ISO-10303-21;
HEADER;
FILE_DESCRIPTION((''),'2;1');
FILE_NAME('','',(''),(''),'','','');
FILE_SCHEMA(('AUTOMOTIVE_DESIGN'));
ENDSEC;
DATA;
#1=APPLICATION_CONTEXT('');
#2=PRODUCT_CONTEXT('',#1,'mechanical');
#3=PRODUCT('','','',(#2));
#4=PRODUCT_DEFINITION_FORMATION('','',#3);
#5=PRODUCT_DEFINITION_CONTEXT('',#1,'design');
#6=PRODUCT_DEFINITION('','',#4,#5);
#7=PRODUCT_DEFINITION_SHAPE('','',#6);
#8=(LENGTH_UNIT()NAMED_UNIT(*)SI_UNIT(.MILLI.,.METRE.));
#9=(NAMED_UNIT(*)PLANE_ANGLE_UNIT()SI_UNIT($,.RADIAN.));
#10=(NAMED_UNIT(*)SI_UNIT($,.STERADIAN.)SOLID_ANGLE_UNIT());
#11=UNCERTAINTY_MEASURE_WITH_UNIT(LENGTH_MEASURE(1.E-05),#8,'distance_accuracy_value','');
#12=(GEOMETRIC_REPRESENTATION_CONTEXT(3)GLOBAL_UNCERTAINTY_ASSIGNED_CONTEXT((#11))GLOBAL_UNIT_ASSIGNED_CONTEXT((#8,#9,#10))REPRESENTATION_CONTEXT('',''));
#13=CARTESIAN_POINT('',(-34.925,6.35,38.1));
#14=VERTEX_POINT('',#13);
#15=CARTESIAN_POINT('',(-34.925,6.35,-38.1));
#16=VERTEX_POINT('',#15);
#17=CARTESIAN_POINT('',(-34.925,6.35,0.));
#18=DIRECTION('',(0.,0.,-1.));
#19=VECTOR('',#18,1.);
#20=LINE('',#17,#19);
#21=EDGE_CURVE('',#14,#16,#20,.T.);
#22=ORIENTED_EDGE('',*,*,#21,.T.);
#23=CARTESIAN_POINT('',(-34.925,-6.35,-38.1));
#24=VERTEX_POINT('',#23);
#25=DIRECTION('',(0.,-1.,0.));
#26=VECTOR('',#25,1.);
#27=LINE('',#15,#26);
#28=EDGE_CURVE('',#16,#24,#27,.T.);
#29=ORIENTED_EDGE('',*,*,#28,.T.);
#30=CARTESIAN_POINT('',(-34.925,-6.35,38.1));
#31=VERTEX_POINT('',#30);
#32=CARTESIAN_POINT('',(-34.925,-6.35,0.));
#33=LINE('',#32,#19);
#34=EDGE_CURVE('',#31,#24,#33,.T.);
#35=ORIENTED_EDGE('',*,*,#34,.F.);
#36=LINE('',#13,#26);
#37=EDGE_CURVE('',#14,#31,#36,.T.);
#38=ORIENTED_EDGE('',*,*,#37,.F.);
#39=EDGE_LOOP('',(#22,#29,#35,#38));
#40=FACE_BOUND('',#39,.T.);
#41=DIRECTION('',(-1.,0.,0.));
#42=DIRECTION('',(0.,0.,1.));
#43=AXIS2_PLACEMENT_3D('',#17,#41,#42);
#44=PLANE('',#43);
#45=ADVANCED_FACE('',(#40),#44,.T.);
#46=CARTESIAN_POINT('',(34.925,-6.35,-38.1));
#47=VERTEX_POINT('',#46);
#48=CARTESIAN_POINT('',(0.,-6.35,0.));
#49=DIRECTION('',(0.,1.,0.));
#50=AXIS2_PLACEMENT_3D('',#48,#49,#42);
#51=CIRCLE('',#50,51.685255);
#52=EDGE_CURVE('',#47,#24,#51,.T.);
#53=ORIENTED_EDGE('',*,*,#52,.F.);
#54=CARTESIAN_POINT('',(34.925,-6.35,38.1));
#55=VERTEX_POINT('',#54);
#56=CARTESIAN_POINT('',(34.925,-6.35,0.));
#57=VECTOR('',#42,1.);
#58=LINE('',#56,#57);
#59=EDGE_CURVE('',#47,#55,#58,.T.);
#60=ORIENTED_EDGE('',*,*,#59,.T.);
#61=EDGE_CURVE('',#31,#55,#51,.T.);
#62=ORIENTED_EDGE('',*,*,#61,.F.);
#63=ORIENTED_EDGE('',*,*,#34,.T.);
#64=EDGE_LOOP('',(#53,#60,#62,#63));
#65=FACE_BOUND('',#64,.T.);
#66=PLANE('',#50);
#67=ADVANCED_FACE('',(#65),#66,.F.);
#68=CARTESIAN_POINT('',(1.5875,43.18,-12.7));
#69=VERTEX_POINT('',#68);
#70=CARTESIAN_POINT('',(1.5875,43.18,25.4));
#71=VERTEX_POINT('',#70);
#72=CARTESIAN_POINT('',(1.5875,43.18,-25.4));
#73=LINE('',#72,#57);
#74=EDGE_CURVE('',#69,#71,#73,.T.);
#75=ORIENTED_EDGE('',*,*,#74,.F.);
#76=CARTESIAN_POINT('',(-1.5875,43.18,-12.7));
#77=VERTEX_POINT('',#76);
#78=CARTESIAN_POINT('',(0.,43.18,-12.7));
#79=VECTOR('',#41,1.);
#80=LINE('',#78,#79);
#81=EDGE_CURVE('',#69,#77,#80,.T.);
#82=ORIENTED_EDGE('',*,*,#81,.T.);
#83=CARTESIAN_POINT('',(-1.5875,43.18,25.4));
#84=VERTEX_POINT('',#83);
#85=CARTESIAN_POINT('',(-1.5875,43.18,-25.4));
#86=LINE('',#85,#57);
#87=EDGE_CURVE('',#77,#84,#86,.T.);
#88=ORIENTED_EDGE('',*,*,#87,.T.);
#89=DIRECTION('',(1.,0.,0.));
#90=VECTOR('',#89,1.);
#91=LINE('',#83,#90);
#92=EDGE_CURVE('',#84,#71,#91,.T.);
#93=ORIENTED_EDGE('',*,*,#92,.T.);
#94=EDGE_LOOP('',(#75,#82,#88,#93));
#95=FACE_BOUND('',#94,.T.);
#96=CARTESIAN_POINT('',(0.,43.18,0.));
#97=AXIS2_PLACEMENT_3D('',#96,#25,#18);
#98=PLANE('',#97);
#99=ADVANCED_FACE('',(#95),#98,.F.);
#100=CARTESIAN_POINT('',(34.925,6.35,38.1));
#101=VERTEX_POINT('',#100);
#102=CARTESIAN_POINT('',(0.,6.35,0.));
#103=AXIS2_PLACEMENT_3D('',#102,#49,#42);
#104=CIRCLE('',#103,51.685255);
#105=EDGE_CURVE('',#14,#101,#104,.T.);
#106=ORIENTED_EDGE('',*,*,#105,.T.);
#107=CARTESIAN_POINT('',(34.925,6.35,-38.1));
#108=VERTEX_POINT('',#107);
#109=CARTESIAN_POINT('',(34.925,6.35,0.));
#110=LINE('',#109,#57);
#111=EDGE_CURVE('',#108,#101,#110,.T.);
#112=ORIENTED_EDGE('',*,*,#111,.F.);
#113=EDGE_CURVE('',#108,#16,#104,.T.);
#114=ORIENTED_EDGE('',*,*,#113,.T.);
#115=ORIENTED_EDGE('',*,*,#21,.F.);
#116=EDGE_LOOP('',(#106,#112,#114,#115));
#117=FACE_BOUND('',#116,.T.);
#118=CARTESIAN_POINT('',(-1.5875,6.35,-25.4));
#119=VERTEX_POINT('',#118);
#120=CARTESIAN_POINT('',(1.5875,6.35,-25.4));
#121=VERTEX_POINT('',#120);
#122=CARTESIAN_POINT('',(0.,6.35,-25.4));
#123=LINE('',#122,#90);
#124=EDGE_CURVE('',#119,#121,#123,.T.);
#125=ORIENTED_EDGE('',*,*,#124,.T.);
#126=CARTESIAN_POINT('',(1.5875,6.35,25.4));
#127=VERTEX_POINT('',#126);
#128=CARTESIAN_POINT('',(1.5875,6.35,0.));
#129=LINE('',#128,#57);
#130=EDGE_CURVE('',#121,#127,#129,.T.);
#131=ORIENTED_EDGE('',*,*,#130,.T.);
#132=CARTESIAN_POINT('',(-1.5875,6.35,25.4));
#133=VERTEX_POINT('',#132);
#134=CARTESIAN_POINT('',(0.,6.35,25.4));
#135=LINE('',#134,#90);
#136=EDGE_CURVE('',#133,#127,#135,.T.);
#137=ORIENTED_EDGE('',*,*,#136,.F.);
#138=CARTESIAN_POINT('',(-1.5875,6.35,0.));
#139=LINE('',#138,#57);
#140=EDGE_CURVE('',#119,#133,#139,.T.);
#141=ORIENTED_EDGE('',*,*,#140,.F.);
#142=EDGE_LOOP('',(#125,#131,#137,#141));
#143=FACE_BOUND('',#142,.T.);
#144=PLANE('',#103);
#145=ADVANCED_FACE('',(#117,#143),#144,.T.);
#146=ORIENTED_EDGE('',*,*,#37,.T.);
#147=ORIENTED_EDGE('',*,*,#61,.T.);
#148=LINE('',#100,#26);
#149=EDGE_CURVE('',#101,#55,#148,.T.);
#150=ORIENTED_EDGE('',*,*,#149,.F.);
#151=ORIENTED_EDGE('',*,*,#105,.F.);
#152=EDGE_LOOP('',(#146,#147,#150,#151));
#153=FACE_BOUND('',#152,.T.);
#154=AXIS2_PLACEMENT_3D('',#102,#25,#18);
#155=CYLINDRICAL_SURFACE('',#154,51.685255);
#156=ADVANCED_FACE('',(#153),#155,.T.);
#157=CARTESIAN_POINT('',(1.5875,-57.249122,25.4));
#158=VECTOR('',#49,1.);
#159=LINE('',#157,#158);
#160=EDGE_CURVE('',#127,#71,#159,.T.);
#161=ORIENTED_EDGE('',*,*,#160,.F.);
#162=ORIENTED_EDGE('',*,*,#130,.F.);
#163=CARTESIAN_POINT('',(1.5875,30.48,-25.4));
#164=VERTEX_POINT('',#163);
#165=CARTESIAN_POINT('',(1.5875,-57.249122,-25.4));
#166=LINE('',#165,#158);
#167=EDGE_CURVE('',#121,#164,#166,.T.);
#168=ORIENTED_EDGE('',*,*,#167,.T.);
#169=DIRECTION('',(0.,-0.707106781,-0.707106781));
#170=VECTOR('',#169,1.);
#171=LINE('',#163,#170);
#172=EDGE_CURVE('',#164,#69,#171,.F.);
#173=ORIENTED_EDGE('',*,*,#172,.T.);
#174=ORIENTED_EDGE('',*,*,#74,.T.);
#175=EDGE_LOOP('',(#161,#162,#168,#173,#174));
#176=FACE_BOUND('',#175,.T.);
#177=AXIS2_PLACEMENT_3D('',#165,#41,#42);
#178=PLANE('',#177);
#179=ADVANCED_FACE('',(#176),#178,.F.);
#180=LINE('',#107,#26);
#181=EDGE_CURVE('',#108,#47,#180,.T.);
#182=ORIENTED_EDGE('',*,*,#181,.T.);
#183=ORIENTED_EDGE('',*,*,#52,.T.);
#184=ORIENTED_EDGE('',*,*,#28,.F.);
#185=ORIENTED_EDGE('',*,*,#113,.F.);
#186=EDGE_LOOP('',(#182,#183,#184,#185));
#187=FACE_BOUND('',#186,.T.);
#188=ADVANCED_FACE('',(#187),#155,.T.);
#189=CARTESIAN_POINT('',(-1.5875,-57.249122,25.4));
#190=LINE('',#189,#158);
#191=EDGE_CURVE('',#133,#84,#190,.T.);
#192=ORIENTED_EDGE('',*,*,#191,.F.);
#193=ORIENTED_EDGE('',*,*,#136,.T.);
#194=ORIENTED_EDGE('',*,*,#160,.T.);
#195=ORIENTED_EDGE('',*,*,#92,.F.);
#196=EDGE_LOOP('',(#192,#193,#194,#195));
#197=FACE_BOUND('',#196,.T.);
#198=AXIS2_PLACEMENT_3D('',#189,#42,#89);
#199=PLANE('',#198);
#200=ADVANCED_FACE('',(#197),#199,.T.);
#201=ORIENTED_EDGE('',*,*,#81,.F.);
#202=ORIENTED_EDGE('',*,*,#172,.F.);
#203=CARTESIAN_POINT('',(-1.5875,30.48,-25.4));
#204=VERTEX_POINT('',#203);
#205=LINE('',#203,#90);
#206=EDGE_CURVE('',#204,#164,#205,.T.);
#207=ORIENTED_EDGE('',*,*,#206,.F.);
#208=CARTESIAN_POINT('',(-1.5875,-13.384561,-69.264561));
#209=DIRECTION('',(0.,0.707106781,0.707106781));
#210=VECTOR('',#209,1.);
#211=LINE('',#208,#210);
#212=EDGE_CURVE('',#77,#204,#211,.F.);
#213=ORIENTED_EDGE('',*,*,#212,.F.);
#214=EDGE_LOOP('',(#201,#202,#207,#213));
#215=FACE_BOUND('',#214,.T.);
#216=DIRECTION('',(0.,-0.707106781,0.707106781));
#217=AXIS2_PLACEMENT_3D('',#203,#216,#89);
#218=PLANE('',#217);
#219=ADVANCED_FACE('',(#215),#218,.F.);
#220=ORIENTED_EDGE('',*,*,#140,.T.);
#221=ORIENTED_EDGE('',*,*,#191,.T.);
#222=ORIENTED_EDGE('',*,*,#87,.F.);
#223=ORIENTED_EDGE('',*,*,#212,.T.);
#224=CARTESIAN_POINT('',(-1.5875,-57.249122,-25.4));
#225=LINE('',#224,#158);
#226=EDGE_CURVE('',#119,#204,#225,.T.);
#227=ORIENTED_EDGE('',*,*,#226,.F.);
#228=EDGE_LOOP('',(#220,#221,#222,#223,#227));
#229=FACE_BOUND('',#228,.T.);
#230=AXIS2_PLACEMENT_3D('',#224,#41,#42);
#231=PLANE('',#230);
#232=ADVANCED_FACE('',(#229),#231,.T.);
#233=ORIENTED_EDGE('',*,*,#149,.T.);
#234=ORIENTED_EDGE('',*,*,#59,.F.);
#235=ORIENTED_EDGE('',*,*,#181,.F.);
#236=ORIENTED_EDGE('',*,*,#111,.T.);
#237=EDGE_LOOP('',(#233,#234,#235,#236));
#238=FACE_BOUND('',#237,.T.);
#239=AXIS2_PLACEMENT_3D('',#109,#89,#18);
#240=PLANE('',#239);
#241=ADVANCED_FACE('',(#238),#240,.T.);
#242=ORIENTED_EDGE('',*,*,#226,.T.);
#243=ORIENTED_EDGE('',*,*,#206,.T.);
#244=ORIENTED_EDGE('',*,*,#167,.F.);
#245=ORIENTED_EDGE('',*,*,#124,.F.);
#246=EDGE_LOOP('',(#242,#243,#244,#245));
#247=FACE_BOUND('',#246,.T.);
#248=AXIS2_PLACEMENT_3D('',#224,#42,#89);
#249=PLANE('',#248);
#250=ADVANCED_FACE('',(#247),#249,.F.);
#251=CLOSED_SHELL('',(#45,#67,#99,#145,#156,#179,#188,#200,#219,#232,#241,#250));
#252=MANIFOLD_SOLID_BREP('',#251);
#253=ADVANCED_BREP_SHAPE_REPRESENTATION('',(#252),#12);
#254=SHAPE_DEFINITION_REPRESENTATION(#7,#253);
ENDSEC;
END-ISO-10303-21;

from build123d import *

# Parameters (mm, degrees)
SKETCH1_W                = 69.85
SKETCH1_H                = 76.2
SKETCH1_W_2              = 3.175
SKETCH1_H_2              = 50.8
BOSS_EXTRUDE1_DEPTH      = 6.35
BOSS_EXTRUDE2_DEPTH      = 43.18
BOSS_EXTRUDE2_DEPTH_BACK = 6.35
SKETCH1_3_W              = 3.175
SKETCH1_3_H              = 50.8
CHAMFER1_SIZE            = 12.7


with BuildPart() as part:
    # Sketch1 → Boss-Extrude1 (new, symmetric)
    # profile 1 of 3: a face of its own
    with BuildSketch(Plane(origin=(0, 0, 0), x_dir=(1, 0, 0), z_dir=(0, 1, 0))):
        Rectangle(SKETCH1_W, SKETCH1_H)
        Rectangle(SKETCH1_W_2, SKETCH1_H_2, mode=Mode.SUBTRACT)
    # profile 2 of 3: a face of its own
    with BuildSketch(Plane(origin=(0, 0, 0), x_dir=(1, 0, 0), z_dir=(0, 1, 0))):
        with BuildLine():
            Line((-34.925, 38.1), (34.925, 38.1))
            ThreePointArc((34.925, 38.1), (0, 51.685255393), (-34.925, 38.1))
        make_face()
    # profile 3 of 3: a face of its own
    with BuildSketch(Plane(origin=(0, 0, 0), x_dir=(1, 0, 0), z_dir=(0, 1, 0))):
        with BuildLine():
            ThreePointArc((-34.925, -38.1), (0, -51.685255393), (34.925, -38.1))
            Line((34.925, -38.1), (-34.925, -38.1))
        make_face()
    extrude(amount=BOSS_EXTRUDE1_DEPTH, both=True)

    # Sketch1<3> → Boss-Extrude2 (add, two sides: drawn at the far end of the back side and taken through both)
    with BuildSketch(Plane(origin=(0, 0, 0), x_dir=(1, 0, 0), z_dir=(0, 1, 0)).offset(-BOSS_EXTRUDE2_DEPTH_BACK)):
        Rectangle(SKETCH1_3_W, SKETCH1_3_H)
    extrude(amount=BOSS_EXTRUDE2_DEPTH + BOSS_EXTRUDE2_DEPTH_BACK)

    # Chamfer1
    chamfer1_edges = [part.edges().sort_by_distance(p)[0] for p in [
        (0, 43.18, -25.4),
    ]]
    chamfer(chamfer1_edges, length=CHAMFER1_SIZE)


solid = part.part
